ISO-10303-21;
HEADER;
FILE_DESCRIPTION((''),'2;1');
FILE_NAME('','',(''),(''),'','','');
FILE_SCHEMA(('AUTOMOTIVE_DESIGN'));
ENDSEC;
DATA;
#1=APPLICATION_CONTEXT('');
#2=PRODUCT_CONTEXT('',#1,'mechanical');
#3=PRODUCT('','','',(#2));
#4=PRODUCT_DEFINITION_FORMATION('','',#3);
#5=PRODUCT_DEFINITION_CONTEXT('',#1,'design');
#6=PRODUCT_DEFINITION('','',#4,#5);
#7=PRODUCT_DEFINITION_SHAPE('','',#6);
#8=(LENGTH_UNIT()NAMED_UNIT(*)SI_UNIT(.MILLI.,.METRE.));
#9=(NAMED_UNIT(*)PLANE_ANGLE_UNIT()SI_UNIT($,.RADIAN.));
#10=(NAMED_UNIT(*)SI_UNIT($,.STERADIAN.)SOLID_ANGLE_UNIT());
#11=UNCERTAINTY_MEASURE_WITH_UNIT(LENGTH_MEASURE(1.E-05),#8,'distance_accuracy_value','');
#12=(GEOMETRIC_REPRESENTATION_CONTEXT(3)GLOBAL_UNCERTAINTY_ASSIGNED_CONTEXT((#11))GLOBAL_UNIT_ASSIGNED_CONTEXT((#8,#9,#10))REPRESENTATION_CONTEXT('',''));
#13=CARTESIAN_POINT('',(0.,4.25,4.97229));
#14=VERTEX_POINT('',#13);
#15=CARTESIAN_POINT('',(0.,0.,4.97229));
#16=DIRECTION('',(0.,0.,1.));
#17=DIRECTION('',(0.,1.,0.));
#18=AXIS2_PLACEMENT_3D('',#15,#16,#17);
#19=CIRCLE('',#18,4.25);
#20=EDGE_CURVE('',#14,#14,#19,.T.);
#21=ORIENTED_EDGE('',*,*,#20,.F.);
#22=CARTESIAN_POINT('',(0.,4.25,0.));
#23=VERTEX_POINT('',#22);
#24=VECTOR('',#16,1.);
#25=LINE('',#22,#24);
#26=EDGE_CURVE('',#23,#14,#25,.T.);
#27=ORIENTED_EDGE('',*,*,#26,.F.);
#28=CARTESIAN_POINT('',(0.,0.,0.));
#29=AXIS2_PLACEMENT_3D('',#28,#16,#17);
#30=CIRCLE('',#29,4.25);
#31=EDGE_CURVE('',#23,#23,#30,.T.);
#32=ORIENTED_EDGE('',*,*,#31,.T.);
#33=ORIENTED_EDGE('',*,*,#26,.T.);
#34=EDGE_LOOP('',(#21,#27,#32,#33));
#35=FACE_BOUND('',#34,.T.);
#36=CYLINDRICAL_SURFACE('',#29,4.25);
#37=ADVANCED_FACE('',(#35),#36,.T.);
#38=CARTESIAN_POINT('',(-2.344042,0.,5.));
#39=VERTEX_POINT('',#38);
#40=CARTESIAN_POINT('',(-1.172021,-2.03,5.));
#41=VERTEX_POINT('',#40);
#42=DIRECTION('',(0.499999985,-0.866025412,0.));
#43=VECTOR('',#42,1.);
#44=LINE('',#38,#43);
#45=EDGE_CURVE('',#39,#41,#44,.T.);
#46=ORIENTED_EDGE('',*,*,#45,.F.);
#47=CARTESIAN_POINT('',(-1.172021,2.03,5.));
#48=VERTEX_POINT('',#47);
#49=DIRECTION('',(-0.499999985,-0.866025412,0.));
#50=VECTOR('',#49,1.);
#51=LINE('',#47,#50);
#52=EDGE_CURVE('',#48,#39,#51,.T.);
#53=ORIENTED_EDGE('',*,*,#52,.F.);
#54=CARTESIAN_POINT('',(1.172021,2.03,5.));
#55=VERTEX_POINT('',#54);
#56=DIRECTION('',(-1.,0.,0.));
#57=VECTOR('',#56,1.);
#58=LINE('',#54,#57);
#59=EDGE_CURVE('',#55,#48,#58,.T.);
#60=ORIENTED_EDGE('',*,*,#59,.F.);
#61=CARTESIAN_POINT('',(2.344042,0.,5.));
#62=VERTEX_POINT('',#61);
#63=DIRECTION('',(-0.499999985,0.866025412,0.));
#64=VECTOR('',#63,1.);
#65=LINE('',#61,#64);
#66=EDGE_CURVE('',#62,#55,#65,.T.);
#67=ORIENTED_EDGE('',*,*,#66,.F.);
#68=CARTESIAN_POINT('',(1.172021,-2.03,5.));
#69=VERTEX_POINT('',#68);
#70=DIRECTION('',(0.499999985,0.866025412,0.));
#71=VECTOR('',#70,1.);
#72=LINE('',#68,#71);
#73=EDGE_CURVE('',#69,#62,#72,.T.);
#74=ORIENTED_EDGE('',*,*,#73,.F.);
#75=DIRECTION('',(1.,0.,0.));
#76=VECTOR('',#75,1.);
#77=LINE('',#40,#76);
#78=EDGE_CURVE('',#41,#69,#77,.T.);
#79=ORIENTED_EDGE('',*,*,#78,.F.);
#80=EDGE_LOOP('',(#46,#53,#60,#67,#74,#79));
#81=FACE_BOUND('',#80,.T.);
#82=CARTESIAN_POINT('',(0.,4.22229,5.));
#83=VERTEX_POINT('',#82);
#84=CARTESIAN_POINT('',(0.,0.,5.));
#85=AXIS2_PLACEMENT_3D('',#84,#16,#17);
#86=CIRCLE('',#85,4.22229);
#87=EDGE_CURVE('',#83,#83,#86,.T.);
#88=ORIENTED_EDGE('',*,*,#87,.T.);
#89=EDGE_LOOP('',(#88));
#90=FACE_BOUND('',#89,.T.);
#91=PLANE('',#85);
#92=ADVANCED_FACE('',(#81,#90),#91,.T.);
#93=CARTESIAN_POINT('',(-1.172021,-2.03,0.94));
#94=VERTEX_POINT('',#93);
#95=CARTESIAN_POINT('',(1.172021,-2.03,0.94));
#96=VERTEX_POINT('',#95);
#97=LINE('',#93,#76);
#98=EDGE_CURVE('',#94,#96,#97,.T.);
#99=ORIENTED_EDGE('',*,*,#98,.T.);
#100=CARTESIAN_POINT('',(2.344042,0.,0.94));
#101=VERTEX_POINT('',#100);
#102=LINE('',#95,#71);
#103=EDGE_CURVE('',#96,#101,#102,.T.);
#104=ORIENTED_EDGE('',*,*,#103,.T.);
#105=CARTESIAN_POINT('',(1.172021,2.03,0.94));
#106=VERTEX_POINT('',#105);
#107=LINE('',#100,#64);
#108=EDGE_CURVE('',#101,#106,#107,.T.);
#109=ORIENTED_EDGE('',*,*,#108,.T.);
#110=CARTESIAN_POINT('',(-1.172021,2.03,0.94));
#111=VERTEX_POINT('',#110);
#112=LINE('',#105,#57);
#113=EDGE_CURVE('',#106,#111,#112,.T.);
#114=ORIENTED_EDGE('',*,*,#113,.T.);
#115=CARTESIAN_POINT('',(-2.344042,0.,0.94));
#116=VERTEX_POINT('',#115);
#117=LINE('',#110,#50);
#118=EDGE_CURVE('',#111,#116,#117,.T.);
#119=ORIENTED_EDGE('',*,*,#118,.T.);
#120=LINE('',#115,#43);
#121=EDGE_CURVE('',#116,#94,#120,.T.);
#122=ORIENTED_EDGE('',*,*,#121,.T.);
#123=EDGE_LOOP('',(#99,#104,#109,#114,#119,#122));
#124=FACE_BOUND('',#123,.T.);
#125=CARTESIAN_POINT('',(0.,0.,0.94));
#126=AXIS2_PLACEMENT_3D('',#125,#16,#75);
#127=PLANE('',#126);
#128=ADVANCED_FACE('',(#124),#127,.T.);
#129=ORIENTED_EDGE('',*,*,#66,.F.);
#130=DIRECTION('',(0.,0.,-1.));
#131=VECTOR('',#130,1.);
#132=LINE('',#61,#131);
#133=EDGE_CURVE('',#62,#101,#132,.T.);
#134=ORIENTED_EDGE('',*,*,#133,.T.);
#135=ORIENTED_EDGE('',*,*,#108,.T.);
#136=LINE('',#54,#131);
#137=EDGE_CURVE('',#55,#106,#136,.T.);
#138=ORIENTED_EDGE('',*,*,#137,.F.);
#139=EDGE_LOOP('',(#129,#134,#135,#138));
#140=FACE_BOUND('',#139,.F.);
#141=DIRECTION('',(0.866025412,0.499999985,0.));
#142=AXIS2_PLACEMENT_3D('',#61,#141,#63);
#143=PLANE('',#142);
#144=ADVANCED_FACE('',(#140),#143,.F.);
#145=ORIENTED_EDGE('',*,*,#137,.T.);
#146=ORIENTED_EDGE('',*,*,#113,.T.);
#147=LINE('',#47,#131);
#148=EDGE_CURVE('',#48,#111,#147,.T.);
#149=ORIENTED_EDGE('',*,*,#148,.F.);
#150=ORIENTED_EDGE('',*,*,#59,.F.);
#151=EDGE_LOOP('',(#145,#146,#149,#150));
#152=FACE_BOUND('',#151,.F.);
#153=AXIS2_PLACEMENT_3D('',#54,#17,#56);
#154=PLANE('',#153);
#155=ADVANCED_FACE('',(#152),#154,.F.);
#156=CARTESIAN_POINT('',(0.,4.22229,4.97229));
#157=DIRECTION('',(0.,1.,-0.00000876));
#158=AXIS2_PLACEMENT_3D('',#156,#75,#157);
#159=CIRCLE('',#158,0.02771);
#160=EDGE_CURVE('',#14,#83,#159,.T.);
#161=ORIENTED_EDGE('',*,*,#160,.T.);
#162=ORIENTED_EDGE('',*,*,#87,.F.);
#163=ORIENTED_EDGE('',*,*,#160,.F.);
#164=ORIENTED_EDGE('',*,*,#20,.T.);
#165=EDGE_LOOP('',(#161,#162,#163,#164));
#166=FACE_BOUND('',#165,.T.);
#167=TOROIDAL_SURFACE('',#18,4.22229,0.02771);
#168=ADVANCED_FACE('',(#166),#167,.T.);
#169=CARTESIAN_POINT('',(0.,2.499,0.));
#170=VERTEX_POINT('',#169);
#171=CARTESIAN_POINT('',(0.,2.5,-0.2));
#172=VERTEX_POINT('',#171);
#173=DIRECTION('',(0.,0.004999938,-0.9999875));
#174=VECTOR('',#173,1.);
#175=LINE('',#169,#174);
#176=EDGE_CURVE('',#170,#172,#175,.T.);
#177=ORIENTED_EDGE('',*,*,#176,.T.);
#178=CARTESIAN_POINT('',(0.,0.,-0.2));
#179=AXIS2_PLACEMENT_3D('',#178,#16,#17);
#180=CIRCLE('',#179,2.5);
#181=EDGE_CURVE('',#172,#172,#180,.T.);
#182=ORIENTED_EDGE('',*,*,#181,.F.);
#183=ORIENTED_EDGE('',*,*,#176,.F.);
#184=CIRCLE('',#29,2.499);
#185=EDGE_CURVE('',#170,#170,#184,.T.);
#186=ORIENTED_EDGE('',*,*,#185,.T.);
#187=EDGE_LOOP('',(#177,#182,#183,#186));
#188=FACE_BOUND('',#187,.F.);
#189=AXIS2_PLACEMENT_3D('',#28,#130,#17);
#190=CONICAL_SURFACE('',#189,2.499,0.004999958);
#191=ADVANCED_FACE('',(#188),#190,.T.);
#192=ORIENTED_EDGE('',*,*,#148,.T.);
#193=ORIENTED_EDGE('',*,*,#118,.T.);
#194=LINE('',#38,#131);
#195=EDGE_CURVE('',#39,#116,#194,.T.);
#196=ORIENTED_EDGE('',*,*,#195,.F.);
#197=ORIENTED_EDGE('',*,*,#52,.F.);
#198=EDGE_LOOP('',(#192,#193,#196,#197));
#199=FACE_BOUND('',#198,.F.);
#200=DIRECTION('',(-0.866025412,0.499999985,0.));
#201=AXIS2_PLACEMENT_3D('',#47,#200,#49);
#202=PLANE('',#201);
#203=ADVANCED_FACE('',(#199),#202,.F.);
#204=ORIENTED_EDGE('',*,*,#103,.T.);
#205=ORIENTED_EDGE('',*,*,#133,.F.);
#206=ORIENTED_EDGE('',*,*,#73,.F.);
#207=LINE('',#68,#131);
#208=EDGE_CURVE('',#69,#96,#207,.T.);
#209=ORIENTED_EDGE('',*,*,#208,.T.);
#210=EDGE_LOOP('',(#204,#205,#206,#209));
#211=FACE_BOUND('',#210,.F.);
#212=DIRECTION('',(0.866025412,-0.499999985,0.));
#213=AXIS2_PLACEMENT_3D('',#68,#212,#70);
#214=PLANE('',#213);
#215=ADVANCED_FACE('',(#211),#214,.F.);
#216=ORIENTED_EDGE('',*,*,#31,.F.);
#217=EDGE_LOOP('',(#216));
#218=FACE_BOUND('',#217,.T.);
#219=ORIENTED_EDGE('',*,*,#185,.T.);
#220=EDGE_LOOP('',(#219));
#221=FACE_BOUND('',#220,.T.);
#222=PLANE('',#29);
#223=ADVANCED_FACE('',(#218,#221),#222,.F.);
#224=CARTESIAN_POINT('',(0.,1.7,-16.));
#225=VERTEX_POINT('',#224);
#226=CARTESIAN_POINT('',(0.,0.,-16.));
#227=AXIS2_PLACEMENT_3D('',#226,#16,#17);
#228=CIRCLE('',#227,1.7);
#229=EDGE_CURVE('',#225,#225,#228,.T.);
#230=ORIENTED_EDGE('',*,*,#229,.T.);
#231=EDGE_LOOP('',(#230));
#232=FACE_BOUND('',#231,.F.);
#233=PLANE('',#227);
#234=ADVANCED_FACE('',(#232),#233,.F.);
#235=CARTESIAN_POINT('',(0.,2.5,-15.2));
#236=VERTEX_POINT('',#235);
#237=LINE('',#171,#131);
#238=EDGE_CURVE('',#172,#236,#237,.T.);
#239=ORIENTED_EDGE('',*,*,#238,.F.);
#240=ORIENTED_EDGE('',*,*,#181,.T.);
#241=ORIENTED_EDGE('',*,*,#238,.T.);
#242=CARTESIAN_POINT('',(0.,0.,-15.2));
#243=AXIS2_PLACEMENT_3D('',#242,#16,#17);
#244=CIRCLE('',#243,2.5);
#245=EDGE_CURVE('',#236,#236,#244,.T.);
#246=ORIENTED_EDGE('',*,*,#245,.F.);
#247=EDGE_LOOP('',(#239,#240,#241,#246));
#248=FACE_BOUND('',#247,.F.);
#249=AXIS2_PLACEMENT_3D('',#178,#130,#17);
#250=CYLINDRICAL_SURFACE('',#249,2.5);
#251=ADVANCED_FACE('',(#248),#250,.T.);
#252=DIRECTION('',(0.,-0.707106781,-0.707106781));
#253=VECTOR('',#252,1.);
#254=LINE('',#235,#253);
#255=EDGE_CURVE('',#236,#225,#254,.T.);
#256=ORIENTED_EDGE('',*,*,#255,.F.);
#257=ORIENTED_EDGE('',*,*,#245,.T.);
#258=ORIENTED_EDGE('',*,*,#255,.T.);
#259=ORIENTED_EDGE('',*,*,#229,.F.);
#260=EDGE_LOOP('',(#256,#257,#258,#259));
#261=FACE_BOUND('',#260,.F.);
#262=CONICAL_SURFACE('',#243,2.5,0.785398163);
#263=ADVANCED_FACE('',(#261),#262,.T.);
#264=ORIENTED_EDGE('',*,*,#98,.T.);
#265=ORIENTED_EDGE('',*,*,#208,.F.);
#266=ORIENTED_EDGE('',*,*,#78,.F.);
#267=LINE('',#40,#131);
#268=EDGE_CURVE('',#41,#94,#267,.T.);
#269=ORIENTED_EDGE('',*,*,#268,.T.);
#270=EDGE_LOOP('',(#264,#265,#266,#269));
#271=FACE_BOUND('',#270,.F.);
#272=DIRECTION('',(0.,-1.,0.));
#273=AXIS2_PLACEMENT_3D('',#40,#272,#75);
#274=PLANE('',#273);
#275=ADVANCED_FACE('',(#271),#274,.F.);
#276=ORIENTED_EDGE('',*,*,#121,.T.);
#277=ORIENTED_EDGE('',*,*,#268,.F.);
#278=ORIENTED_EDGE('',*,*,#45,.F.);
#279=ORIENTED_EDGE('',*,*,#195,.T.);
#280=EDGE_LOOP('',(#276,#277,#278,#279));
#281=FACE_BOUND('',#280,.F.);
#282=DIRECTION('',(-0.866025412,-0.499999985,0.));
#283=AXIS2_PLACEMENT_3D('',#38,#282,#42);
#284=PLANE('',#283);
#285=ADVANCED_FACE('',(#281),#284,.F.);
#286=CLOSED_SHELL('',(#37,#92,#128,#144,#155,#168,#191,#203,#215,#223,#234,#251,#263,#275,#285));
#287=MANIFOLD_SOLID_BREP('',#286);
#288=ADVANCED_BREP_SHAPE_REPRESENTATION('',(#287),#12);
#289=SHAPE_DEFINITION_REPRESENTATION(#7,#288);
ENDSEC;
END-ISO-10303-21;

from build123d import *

# Parameters (mm, degrees)
POCKET_DEPTH = 4.06


with BuildPart() as part:
    # Sketch → Revolve (revolve)
    with BuildSketch(Plane.YZ):
        with BuildLine():
            Line((2.499, 0), (4.25, 0))
            Line((4.25, 0), (4.25, 4.97229))
            ThreePointArc((4.25, 4.97229), (4.241884, 4.991884), (4.22229, 5))
            Line((4.22229, 5), (0, 5))
            Line((0, -16), (0, 5))
            Line((1.7, -16), (0, -16))
            Line((2.5, -15.2), (1.7, -16))
            Line((2.5, -0.2), (2.5, -15.2))
            Line((2.499, 0), (2.5, -0.2))
        make_face()
    revolve(axis=Axis((0, 0, 0), (0, 0, 1)))

    # Sketch001 → Pocket (cut)
    with BuildSketch(Plane.XY.offset(5)):
        Polygon((2.344042, 0), (1.172021, 2.03), (-1.172021, 2.03), (-2.344042, 0), (-1.172021, -2.03), (1.172021, -2.03), align=None)
    extrude(amount=-POCKET_DEPTH, mode=Mode.SUBTRACT)


solid = part.part
